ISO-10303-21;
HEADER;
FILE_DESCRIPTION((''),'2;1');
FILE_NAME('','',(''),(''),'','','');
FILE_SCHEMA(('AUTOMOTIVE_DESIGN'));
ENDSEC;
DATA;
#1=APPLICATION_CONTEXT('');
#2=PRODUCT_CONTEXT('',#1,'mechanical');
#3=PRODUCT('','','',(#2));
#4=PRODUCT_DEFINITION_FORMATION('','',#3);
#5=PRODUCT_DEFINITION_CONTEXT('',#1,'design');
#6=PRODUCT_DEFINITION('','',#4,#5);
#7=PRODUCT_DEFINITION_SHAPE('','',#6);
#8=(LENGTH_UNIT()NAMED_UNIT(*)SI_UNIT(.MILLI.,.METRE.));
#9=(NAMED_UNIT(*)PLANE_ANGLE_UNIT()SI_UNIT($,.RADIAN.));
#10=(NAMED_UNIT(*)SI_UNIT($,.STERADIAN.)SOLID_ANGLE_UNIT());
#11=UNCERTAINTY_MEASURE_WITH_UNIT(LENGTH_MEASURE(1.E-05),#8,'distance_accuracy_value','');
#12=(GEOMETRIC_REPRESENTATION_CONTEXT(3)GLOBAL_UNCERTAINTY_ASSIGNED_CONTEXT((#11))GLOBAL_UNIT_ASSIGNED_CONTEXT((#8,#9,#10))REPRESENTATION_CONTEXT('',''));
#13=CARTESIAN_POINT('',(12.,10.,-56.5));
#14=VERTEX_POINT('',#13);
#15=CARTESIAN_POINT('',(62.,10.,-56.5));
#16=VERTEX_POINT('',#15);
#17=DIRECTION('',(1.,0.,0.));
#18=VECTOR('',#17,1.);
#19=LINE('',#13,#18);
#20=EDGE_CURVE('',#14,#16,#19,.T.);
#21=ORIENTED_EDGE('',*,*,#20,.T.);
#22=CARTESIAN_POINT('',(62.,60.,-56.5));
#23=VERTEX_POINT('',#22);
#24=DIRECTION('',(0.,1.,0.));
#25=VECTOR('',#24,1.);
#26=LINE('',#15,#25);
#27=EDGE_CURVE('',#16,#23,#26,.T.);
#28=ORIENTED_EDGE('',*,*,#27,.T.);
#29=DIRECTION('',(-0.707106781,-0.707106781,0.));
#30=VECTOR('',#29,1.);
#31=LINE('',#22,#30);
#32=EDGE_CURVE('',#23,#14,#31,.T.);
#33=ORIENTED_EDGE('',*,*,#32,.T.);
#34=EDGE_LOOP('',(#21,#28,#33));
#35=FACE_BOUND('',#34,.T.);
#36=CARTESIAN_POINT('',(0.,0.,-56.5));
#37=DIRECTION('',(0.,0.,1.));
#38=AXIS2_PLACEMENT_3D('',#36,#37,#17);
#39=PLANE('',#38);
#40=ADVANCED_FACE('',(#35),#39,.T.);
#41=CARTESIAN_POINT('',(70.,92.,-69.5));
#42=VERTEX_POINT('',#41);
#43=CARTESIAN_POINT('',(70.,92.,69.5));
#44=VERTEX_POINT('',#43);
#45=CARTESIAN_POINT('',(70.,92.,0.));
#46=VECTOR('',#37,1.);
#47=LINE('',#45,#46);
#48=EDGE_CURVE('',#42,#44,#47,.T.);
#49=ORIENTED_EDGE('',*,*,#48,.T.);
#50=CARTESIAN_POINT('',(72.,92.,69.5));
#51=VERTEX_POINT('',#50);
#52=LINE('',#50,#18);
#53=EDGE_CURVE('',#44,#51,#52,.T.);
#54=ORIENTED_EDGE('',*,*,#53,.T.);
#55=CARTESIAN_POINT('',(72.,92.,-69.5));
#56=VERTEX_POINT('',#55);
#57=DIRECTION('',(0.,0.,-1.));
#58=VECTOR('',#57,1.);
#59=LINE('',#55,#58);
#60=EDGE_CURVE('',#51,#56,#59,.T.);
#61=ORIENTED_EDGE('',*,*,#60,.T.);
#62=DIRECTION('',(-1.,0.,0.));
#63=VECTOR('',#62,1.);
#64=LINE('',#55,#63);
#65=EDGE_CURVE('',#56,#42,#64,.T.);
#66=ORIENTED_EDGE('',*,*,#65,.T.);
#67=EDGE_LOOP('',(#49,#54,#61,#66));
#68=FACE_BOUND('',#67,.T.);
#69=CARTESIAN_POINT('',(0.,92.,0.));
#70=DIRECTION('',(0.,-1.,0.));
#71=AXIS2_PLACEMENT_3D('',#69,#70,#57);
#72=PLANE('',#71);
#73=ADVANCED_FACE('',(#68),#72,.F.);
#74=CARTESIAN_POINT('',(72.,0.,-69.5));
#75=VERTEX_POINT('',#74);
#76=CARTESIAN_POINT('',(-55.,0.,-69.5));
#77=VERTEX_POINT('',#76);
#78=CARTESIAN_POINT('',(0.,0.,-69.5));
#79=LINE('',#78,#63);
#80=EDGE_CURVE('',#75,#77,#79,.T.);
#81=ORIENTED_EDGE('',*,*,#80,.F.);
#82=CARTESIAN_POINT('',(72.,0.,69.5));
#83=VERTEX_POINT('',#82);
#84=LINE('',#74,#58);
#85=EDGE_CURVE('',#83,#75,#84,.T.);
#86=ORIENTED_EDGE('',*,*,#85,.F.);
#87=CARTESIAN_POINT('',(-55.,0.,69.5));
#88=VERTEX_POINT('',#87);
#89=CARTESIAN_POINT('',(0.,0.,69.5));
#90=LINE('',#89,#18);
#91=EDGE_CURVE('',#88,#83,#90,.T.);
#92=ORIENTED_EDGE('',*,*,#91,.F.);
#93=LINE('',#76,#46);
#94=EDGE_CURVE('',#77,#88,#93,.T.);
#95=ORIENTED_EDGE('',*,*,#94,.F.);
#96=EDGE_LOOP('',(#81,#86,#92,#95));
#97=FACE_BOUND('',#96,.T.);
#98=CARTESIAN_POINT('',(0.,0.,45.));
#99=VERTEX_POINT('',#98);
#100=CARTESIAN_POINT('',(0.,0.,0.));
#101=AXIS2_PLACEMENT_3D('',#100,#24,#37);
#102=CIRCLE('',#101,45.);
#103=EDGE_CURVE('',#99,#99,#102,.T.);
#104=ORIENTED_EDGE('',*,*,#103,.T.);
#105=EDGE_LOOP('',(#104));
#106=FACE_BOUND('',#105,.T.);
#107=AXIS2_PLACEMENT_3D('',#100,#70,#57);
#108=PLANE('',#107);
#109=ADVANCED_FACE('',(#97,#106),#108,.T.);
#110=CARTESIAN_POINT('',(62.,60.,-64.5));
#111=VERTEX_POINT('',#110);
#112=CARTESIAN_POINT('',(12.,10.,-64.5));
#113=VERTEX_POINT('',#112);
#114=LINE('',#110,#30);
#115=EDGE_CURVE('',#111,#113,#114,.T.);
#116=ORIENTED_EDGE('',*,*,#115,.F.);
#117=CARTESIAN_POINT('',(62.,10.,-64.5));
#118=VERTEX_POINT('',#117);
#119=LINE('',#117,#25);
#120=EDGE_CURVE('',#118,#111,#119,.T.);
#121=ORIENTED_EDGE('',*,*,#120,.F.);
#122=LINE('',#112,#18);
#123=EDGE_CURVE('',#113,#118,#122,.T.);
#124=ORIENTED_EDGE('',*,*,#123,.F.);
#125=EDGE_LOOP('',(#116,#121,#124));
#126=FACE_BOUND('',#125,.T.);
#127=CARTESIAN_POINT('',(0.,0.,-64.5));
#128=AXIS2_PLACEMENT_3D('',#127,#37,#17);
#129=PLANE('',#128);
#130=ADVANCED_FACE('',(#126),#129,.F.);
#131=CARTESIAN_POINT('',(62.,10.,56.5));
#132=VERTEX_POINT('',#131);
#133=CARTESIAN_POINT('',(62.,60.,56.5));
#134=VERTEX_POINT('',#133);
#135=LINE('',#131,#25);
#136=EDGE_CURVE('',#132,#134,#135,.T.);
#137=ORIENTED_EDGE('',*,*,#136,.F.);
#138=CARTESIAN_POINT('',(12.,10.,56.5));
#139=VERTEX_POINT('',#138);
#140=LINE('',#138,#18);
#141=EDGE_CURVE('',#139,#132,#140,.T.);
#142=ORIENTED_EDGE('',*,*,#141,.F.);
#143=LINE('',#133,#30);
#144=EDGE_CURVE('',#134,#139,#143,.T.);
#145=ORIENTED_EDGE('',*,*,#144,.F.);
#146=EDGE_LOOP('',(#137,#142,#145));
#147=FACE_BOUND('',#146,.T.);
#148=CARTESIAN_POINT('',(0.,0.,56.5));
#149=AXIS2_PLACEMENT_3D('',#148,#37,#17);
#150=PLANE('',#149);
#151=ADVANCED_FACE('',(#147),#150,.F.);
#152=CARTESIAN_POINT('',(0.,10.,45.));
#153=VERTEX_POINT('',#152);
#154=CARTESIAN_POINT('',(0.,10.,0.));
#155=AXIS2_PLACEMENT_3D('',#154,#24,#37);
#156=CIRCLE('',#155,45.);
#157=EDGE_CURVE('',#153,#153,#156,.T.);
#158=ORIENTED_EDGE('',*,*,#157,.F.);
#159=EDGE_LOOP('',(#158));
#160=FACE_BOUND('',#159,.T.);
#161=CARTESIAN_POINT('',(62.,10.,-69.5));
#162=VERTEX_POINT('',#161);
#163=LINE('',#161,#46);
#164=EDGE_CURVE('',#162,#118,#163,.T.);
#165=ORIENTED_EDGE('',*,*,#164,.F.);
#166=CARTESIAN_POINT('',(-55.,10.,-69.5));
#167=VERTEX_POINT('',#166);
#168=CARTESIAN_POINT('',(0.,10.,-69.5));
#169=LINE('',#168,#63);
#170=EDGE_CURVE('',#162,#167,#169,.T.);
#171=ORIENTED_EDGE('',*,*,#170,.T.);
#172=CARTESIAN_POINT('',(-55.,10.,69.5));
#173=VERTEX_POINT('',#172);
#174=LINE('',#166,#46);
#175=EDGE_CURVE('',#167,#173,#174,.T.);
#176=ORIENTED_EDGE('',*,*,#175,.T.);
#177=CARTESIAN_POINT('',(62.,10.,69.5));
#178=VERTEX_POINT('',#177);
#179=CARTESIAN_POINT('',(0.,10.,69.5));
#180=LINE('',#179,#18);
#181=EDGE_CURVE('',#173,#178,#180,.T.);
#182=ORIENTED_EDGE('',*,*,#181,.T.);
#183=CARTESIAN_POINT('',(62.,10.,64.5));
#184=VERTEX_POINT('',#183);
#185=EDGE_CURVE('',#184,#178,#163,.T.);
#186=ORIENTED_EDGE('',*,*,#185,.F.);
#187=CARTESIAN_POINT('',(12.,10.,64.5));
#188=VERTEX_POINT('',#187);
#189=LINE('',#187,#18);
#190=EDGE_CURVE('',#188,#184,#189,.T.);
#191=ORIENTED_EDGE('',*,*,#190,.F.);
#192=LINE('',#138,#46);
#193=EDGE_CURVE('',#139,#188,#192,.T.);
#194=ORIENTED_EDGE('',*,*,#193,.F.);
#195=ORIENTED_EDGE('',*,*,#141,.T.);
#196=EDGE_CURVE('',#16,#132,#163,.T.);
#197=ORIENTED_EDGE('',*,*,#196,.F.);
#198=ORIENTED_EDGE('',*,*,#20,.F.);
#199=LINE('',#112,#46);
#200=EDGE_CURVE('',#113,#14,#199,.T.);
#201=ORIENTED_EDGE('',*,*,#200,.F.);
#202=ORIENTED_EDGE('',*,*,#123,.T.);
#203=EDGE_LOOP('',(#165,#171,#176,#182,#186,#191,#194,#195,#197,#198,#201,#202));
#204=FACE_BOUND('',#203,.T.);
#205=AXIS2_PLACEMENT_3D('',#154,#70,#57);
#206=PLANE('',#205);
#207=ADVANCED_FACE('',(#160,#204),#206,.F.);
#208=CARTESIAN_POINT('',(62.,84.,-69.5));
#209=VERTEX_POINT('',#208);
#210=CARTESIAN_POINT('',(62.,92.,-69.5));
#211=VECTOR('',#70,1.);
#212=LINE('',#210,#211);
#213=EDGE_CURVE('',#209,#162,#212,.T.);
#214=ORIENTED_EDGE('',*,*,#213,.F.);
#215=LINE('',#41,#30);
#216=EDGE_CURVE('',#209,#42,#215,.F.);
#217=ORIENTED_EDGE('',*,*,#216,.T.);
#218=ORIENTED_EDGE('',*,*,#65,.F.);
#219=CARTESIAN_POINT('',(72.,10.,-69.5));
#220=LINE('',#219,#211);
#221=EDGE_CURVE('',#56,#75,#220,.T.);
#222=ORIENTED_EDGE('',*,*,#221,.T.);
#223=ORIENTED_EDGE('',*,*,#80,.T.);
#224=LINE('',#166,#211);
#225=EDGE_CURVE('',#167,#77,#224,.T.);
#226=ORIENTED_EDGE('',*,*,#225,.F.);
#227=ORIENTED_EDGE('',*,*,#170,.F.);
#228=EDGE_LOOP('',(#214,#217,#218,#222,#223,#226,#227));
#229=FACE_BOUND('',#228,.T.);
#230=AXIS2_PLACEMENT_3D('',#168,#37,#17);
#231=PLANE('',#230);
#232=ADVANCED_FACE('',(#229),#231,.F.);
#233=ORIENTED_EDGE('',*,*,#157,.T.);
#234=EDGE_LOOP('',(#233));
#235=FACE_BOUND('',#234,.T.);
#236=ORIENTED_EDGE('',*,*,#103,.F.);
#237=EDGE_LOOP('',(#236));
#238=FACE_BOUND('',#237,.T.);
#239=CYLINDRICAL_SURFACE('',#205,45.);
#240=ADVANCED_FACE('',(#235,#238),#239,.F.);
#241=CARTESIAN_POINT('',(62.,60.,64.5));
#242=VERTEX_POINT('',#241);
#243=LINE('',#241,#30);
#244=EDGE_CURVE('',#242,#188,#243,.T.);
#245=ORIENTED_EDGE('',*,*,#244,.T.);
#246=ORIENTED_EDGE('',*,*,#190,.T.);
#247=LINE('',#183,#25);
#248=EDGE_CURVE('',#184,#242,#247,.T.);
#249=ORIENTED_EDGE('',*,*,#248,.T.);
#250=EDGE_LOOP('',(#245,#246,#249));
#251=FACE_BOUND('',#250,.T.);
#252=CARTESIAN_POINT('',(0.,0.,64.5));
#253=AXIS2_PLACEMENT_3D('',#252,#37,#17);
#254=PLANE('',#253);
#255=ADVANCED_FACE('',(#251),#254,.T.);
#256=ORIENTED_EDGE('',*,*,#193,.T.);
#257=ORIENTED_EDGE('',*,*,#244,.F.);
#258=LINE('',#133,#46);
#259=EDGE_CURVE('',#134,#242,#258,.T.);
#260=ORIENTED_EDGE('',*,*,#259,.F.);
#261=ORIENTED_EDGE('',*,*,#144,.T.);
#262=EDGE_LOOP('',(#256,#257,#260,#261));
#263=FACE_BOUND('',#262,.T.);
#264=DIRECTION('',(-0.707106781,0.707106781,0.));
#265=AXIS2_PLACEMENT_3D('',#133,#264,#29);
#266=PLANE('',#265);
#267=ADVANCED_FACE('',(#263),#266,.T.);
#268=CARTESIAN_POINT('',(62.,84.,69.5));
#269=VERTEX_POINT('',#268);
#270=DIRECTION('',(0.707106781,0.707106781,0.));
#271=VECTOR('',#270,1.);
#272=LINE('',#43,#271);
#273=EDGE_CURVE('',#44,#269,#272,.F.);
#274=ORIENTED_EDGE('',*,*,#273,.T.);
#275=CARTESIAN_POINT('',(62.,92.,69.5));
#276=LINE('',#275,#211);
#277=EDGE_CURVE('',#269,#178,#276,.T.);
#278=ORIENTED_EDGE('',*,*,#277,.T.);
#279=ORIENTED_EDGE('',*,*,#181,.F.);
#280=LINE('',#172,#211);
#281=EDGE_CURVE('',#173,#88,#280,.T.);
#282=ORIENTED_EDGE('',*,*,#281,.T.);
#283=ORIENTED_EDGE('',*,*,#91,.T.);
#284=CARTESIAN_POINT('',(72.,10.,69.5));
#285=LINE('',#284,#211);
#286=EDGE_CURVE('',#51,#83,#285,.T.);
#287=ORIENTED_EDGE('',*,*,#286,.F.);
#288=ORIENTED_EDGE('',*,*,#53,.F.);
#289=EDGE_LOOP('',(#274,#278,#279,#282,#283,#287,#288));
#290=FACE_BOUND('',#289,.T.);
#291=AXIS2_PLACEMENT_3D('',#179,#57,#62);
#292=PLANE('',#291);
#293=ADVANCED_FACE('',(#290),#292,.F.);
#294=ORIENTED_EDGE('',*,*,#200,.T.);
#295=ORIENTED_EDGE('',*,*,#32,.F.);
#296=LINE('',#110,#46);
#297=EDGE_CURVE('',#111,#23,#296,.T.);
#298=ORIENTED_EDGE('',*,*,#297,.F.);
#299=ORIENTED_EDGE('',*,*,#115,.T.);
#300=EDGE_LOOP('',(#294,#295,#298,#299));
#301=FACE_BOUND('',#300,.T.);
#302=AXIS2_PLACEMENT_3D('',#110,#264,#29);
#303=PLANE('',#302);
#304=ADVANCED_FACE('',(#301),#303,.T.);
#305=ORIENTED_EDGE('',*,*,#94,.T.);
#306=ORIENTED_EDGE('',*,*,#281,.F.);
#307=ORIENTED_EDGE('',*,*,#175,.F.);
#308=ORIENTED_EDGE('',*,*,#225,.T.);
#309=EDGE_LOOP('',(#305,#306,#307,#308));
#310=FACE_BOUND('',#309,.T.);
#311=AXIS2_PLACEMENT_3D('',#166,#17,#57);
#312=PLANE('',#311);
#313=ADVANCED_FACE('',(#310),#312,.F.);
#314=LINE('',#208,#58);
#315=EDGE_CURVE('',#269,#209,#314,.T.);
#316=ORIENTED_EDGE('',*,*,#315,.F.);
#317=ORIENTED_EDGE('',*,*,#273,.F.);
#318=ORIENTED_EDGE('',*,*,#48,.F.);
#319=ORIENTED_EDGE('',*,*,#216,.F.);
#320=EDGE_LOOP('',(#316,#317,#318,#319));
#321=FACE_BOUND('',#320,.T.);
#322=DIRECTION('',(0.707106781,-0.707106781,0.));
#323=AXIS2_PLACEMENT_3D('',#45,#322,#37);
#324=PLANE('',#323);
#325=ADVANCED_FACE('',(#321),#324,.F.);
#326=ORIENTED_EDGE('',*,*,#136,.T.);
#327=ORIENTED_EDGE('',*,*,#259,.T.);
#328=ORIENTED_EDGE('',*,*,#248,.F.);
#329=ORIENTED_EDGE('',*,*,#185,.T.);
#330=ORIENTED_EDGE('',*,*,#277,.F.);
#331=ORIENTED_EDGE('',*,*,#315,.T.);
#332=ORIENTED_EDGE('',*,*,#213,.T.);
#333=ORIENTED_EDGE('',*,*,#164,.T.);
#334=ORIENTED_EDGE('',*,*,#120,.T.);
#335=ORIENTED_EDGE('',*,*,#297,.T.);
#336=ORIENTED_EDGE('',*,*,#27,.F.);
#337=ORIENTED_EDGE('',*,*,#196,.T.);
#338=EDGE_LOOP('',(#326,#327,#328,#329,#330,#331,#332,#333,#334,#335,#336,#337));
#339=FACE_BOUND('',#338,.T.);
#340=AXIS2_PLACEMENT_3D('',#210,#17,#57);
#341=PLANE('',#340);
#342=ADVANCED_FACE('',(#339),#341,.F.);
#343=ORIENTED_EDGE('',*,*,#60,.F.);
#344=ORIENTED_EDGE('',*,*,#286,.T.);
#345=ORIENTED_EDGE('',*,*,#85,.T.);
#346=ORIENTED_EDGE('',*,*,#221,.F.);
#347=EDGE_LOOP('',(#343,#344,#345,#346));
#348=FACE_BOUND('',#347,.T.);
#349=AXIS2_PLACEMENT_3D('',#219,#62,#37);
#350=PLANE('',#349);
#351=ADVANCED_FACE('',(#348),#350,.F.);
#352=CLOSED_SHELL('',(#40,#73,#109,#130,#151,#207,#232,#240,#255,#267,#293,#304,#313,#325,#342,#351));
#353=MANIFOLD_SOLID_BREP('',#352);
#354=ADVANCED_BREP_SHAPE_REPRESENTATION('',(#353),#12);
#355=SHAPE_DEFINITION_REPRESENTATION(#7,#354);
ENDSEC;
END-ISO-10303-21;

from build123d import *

# Parameters (mm, degrees)
SKETCH1_R       = 45
EXTRUDE1_DEPTH  = 10
SKETCH2_W       = 10
SKETCH2_H       = 139
EXTRUDE2_DEPTH  = 82
CHAMFER1_SIZE   = 8
EXTRUDE3_START  = -5
EXTRUDE3_DEPTH  = 8
LPATTERN1_COUNT = 2
LPATTERN1_PITCH = 121


with BuildPart() as part:
    # Sketch1 → Extrude1 (new body)
    with BuildSketch(Plane(origin=(0, 0, 0), x_dir=(1, 0, 0), z_dir=(0, 1, 0))):
        Polygon((0, 69.5), (-55, 69.5), (-55, -69.5), (0, -69.5), (72, -69.5), (72, 69.5), align=None)
        with Locations(Location((0, 0, 0), (0, 0, 270))):
            Circle(SKETCH1_R, mode=Mode.SUBTRACT)
    extrude(amount=EXTRUDE1_DEPTH)

    # Sketch2 → Extrude2 (add)
    with BuildSketch(Plane(origin=(0, 10, 0), x_dir=(1, 0, 0), z_dir=(0, 1, 0))):
        with Locations((67, 0)):
            Rectangle(SKETCH2_W, SKETCH2_H)
    extrude(amount=EXTRUDE2_DEPTH)

    # Chamfer1
    chamfer1_edges = [part.edges().sort_by_distance(p)[0] for p in [
        (62, 92, 0),
    ]]
    chamfer(chamfer1_edges, length=CHAMFER1_SIZE)

    # Sketch3 → Extrude3 (add)
    with BuildSketch(Plane.XY.offset(69.5).offset(EXTRUDE3_START)):
        Polygon((12, 10), (62, 10), (62, 60), align=None)
    extrude3 = extrude(amount=-EXTRUDE3_DEPTH)

    # LPattern1: Extrude3 ×2
    with Locations(*[(0, 0, -i * LPATTERN1_PITCH) for i in range(1, LPATTERN1_COUNT)]):
        add(extrude3)


solid = part.part
